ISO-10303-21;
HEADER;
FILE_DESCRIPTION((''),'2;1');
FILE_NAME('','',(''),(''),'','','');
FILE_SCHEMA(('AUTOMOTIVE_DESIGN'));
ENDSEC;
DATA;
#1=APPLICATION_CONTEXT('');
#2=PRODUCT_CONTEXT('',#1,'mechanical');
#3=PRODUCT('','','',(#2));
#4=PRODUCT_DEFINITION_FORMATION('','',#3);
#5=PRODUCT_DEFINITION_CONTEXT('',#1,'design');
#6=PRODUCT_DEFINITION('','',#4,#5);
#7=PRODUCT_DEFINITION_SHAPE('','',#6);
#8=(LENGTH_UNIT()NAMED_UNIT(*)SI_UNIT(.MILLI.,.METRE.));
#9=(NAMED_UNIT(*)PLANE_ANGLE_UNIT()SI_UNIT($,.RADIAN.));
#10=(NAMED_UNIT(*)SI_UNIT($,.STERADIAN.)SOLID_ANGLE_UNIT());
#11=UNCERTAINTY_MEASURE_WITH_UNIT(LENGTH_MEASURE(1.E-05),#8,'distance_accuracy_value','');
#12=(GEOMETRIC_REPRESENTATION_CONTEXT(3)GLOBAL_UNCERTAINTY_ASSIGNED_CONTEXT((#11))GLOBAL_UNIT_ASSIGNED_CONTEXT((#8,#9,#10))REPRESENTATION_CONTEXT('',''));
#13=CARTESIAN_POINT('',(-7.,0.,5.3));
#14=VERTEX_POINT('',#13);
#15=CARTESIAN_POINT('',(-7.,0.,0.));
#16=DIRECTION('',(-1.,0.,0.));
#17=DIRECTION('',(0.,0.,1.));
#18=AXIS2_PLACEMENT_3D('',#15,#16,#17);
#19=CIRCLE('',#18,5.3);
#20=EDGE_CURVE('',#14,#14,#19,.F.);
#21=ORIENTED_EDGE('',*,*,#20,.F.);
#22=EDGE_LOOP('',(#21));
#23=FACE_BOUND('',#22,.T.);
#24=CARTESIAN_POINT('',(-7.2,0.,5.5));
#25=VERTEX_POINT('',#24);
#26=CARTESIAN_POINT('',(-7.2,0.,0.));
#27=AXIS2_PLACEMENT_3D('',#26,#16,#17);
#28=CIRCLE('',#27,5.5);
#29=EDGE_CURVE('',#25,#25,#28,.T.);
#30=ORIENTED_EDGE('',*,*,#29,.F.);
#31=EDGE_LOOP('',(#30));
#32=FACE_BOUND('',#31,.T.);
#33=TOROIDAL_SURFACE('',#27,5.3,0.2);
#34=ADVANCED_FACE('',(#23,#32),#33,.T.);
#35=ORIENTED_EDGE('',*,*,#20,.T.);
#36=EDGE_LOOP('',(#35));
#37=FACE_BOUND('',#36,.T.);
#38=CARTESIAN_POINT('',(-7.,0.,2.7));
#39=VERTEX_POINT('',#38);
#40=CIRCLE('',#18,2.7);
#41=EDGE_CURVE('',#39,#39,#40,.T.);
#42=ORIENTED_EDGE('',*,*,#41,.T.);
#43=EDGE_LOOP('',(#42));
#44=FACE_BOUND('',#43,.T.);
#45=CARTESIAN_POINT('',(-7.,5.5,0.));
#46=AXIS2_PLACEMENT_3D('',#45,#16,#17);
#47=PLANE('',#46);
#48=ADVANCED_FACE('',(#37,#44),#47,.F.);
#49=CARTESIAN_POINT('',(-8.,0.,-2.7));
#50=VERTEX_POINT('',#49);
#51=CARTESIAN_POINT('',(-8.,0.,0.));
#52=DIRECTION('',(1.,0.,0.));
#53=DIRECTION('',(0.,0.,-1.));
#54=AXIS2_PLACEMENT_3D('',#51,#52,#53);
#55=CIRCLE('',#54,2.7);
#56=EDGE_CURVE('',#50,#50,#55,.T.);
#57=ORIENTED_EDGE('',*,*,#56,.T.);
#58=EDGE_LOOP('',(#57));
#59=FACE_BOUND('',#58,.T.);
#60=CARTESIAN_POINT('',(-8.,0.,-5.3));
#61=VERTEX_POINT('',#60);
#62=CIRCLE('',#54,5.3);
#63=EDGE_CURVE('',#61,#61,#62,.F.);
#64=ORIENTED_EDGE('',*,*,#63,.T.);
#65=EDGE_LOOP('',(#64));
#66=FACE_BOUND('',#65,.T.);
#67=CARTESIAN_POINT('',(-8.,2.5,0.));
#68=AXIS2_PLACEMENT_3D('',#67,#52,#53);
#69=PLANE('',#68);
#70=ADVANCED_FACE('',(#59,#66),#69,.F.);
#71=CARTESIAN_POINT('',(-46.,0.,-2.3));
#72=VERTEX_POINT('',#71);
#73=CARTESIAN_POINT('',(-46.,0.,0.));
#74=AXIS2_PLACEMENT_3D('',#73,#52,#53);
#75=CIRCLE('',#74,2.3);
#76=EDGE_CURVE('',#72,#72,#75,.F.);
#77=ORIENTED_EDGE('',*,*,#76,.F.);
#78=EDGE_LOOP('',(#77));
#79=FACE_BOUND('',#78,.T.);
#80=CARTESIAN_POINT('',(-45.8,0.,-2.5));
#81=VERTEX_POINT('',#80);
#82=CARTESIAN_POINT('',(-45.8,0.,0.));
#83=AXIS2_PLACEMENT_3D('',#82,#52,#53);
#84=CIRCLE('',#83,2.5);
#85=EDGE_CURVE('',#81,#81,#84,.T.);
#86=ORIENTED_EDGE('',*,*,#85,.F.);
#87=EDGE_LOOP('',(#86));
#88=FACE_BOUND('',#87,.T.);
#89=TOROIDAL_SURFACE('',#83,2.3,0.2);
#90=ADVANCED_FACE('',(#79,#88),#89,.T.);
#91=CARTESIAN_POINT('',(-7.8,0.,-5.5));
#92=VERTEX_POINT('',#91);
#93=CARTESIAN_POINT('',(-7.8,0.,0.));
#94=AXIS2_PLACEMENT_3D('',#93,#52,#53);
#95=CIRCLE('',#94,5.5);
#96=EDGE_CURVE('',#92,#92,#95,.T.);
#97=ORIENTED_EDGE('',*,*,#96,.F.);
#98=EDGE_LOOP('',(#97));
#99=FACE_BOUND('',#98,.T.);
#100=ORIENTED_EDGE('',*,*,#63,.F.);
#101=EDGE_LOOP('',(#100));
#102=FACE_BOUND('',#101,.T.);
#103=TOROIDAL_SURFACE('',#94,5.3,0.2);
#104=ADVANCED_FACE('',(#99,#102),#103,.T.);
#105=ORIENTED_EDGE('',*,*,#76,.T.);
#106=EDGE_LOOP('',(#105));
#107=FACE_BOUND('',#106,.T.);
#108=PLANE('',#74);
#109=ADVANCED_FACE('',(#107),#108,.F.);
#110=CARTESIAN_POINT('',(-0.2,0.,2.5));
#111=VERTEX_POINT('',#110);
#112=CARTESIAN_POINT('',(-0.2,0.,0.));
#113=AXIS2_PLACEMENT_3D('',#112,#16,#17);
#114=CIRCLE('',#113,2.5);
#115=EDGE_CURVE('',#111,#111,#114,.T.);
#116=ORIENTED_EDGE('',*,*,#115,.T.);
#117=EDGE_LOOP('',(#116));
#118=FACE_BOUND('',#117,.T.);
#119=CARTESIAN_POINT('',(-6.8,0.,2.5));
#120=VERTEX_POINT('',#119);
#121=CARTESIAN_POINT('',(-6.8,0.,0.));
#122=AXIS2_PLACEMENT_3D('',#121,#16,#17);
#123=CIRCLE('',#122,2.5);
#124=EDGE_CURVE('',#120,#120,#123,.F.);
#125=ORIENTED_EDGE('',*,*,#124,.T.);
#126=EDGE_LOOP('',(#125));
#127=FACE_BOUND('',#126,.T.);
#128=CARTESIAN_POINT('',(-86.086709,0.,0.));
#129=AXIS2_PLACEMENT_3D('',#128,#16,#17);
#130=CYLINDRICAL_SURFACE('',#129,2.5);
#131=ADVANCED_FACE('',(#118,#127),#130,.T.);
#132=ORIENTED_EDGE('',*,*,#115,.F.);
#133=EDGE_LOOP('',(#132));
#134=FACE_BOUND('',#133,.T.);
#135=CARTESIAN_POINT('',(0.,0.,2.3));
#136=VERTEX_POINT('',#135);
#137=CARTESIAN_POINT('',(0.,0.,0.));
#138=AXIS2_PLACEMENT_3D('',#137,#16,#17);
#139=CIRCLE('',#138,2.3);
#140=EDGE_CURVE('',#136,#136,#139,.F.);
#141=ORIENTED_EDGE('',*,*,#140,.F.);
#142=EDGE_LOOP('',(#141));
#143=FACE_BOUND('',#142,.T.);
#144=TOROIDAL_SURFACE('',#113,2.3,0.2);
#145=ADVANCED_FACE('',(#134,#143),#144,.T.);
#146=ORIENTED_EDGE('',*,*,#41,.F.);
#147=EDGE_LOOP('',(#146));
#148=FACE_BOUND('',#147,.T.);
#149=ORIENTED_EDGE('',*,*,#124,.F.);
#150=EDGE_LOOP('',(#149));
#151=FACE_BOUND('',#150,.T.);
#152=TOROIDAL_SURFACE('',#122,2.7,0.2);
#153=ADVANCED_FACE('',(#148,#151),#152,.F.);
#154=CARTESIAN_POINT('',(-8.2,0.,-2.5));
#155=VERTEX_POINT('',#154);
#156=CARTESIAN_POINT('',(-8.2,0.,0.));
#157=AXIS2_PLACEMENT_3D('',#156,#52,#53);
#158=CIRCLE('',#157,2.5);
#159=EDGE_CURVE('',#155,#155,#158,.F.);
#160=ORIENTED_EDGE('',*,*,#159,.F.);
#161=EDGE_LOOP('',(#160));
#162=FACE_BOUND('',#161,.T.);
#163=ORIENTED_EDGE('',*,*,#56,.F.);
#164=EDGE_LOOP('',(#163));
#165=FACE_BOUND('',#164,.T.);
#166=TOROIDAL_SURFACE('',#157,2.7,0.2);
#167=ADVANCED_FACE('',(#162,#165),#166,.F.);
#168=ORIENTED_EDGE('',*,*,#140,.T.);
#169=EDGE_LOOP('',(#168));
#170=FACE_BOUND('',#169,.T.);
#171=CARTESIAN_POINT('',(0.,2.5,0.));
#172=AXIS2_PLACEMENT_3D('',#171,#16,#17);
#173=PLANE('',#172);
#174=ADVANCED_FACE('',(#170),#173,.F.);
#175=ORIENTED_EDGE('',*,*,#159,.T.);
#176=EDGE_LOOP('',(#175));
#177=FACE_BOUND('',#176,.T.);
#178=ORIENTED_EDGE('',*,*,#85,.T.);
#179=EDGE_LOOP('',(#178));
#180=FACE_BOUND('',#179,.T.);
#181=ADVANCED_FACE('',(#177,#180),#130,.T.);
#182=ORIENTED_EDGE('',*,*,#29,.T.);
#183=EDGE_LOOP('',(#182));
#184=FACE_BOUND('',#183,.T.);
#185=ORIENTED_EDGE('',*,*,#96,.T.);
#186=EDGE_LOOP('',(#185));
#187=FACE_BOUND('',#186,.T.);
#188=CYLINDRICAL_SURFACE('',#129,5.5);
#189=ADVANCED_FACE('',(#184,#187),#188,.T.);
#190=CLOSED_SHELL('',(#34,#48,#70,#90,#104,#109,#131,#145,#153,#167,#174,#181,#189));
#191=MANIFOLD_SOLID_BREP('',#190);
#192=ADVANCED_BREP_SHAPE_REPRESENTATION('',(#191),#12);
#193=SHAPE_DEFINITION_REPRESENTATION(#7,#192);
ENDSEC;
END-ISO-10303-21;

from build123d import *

# Parameters (mm, degrees)
CONG_1_R = 0.2


with BuildPart() as part:
    # Esquisse1 → Révolution1 (revolve)
    with BuildSketch(Plane.XY, mode=Mode.PRIVATE) as r_volution1_sk:
        Polygon((-46, 0), (-46, 2.5), (-8, 2.5), (-8, 5.5), (-7, 5.5), (-7, 2.5), (0, 2.5), (0, 0), align=None)
    revolve(r_volution1_sk.sketch.rotate(Axis((-86.086708861, 0, 0), (1, 0, 0)), 90), axis=Axis((-86.086708861, 0, 0), (1, 0, 0)))

    # Congé1
    cong_1_edges = [part.edges().sort_by_distance(p)[0] for p in [
        (-46, 0, -2.5),
        (-8, 0, -2.5),
        (-8, 0, -5.5),
        (-7, 0, -5.5),
        (-7, 0, -2.5),
        (0, 0, -2.5),
    ]]
    fillet(cong_1_edges, radius=CONG_1_R)


solid = part.part
